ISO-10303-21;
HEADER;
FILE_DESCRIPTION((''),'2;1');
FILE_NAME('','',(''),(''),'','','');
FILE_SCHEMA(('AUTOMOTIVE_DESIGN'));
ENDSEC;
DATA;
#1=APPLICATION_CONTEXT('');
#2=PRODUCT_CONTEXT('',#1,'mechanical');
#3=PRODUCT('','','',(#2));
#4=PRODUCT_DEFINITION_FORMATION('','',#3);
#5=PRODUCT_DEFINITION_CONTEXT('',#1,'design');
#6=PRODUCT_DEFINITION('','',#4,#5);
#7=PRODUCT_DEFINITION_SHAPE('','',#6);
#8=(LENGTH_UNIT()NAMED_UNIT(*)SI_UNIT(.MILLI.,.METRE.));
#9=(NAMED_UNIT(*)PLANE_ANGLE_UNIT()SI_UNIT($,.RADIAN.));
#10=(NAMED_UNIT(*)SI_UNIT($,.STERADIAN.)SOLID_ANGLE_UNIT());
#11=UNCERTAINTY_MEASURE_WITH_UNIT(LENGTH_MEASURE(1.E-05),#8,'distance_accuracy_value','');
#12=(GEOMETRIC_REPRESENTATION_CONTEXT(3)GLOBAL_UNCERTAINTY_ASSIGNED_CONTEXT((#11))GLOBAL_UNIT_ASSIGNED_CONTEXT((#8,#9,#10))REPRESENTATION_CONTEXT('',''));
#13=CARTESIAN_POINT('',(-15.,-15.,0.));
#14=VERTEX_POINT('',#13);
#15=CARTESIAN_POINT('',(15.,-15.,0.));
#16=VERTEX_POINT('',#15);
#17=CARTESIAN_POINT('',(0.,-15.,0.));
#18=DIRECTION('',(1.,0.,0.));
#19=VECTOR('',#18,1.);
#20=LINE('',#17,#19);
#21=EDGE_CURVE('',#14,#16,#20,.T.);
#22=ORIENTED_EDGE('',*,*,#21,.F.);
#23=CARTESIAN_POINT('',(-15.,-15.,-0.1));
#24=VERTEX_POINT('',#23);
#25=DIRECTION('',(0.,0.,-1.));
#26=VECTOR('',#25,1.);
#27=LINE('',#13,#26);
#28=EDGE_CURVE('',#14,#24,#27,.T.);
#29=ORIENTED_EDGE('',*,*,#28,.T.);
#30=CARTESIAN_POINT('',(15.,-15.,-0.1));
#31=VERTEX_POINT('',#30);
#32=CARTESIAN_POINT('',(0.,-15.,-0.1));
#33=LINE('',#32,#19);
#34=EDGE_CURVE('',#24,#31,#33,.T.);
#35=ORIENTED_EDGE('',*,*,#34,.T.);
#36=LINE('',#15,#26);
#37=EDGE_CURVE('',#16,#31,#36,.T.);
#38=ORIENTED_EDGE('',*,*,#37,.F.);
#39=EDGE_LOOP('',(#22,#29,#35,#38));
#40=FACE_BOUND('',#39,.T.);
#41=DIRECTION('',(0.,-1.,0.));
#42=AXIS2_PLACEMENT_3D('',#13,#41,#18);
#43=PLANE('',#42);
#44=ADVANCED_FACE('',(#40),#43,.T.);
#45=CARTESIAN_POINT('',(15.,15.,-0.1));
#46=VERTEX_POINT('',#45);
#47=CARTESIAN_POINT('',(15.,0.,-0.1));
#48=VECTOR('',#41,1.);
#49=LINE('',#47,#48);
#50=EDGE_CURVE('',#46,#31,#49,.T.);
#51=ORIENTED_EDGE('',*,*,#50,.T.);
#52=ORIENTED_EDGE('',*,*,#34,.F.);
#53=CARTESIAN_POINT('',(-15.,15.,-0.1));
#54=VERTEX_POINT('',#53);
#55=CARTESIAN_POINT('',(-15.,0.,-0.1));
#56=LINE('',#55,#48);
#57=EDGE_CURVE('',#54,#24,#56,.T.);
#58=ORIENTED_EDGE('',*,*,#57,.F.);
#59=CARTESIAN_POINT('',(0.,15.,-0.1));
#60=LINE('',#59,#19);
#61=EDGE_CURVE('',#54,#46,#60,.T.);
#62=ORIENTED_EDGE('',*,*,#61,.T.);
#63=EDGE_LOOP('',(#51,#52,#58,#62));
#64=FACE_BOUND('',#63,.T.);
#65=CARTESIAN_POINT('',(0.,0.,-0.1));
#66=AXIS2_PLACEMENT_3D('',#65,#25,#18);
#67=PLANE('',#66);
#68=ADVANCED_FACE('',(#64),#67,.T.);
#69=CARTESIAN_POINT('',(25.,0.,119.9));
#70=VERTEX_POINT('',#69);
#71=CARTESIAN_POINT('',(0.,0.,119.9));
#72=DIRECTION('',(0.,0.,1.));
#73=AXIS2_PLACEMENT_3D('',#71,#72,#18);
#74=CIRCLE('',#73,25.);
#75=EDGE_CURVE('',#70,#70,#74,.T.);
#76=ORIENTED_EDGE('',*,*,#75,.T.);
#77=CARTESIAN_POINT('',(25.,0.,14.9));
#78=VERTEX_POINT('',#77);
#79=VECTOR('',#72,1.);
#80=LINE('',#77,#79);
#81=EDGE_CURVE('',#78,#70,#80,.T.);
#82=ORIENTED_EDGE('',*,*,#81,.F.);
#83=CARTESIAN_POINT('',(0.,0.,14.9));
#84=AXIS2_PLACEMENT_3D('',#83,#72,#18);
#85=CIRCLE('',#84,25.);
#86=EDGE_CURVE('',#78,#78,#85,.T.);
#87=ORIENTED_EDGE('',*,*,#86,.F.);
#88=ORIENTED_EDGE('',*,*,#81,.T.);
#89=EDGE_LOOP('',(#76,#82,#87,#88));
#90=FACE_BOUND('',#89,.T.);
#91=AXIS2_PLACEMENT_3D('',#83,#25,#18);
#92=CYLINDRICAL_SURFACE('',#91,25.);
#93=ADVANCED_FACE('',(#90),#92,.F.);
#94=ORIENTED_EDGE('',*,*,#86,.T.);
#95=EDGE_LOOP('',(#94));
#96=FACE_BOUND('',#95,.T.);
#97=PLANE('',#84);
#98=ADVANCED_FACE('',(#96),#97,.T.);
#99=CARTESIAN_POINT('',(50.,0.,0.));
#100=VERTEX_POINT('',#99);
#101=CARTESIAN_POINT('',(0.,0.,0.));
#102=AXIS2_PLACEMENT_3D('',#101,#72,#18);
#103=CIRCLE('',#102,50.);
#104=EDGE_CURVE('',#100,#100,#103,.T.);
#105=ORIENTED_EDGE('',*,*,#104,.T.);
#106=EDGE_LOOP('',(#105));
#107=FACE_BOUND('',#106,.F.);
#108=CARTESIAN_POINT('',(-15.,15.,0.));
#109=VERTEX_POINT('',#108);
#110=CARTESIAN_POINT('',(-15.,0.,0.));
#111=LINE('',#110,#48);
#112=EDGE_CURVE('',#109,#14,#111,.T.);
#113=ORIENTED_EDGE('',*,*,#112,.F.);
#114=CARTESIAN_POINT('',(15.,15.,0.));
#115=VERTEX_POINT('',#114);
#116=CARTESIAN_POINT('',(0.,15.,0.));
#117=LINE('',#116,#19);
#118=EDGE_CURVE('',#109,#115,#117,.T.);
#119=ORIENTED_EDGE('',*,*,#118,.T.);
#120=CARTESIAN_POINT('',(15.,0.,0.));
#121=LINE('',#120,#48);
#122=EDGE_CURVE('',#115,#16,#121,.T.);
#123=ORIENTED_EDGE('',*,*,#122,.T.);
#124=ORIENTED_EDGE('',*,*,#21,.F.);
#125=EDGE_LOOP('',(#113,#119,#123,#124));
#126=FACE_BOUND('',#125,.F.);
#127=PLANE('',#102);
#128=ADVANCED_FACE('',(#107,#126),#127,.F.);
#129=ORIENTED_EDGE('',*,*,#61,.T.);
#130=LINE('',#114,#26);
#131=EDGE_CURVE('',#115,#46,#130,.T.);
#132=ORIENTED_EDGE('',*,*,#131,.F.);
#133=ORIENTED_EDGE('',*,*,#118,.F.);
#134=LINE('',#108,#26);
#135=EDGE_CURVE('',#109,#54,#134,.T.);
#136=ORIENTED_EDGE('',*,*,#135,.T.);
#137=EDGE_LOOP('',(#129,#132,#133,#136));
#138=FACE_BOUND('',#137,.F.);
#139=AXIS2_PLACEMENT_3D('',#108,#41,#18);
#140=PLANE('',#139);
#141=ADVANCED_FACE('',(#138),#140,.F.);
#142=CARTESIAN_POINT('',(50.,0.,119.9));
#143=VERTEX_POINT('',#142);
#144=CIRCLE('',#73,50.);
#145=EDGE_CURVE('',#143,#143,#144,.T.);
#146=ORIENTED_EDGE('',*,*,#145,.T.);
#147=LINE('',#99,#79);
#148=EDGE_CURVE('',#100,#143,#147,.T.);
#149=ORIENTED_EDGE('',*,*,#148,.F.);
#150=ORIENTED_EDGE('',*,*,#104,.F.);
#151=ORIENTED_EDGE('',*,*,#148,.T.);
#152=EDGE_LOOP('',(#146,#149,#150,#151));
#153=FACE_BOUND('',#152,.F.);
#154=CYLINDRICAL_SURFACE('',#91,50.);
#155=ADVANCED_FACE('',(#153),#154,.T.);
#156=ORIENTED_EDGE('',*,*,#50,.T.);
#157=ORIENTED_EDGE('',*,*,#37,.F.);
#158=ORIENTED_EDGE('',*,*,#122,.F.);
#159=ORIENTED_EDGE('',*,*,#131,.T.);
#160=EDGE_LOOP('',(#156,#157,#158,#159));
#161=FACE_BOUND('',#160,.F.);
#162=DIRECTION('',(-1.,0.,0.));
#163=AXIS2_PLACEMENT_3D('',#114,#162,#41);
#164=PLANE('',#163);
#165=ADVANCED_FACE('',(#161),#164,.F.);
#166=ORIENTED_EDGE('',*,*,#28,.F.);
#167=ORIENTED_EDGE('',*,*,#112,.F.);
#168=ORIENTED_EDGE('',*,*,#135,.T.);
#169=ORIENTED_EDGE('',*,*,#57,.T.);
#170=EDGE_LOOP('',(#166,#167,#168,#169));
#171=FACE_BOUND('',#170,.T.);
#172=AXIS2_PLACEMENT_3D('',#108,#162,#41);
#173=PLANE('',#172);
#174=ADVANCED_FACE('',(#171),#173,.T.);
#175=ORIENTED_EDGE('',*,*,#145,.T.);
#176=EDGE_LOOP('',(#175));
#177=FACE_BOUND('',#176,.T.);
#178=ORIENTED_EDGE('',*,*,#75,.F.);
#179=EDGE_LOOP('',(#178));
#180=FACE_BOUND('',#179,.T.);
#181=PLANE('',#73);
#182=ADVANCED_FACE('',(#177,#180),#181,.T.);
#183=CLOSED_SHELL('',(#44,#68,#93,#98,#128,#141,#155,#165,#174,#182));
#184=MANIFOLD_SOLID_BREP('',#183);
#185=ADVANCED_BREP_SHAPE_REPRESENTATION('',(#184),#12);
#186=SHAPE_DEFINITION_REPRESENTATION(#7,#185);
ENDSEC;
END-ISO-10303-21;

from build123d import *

# Parameters (mm, degrees)
F0_R     = 50
F1_DEPTH = 14.9
F2_R     = 50
F2_R_2   = 25
F3_DEPTH = 105
F4_W     = 30
F4_H     = 30
F5_DEPTH = 0.1


with BuildPart() as f1:
    # F0 (on Top) → F1 (new body)
    with BuildSketch(Plane.XY):
        Circle(F0_R)
    extrude(amount=F1_DEPTH)

    # F2 (on face) → F3 (join)
    with BuildSketch(Plane.XY.offset(14.9)):
        Circle(F2_R)
        Circle(F2_R_2, mode=Mode.SUBTRACT)
    extrude(amount=F3_DEPTH)

    # F4 (on face) → F5 (join)
    with BuildSketch(Plane(origin=(0, 0, 0), x_dir=(1, 0, 0), z_dir=(0, 0, -1))):
        Rectangle(F4_W, F4_H)
    extrude(amount=F5_DEPTH)


solid = f1.part
